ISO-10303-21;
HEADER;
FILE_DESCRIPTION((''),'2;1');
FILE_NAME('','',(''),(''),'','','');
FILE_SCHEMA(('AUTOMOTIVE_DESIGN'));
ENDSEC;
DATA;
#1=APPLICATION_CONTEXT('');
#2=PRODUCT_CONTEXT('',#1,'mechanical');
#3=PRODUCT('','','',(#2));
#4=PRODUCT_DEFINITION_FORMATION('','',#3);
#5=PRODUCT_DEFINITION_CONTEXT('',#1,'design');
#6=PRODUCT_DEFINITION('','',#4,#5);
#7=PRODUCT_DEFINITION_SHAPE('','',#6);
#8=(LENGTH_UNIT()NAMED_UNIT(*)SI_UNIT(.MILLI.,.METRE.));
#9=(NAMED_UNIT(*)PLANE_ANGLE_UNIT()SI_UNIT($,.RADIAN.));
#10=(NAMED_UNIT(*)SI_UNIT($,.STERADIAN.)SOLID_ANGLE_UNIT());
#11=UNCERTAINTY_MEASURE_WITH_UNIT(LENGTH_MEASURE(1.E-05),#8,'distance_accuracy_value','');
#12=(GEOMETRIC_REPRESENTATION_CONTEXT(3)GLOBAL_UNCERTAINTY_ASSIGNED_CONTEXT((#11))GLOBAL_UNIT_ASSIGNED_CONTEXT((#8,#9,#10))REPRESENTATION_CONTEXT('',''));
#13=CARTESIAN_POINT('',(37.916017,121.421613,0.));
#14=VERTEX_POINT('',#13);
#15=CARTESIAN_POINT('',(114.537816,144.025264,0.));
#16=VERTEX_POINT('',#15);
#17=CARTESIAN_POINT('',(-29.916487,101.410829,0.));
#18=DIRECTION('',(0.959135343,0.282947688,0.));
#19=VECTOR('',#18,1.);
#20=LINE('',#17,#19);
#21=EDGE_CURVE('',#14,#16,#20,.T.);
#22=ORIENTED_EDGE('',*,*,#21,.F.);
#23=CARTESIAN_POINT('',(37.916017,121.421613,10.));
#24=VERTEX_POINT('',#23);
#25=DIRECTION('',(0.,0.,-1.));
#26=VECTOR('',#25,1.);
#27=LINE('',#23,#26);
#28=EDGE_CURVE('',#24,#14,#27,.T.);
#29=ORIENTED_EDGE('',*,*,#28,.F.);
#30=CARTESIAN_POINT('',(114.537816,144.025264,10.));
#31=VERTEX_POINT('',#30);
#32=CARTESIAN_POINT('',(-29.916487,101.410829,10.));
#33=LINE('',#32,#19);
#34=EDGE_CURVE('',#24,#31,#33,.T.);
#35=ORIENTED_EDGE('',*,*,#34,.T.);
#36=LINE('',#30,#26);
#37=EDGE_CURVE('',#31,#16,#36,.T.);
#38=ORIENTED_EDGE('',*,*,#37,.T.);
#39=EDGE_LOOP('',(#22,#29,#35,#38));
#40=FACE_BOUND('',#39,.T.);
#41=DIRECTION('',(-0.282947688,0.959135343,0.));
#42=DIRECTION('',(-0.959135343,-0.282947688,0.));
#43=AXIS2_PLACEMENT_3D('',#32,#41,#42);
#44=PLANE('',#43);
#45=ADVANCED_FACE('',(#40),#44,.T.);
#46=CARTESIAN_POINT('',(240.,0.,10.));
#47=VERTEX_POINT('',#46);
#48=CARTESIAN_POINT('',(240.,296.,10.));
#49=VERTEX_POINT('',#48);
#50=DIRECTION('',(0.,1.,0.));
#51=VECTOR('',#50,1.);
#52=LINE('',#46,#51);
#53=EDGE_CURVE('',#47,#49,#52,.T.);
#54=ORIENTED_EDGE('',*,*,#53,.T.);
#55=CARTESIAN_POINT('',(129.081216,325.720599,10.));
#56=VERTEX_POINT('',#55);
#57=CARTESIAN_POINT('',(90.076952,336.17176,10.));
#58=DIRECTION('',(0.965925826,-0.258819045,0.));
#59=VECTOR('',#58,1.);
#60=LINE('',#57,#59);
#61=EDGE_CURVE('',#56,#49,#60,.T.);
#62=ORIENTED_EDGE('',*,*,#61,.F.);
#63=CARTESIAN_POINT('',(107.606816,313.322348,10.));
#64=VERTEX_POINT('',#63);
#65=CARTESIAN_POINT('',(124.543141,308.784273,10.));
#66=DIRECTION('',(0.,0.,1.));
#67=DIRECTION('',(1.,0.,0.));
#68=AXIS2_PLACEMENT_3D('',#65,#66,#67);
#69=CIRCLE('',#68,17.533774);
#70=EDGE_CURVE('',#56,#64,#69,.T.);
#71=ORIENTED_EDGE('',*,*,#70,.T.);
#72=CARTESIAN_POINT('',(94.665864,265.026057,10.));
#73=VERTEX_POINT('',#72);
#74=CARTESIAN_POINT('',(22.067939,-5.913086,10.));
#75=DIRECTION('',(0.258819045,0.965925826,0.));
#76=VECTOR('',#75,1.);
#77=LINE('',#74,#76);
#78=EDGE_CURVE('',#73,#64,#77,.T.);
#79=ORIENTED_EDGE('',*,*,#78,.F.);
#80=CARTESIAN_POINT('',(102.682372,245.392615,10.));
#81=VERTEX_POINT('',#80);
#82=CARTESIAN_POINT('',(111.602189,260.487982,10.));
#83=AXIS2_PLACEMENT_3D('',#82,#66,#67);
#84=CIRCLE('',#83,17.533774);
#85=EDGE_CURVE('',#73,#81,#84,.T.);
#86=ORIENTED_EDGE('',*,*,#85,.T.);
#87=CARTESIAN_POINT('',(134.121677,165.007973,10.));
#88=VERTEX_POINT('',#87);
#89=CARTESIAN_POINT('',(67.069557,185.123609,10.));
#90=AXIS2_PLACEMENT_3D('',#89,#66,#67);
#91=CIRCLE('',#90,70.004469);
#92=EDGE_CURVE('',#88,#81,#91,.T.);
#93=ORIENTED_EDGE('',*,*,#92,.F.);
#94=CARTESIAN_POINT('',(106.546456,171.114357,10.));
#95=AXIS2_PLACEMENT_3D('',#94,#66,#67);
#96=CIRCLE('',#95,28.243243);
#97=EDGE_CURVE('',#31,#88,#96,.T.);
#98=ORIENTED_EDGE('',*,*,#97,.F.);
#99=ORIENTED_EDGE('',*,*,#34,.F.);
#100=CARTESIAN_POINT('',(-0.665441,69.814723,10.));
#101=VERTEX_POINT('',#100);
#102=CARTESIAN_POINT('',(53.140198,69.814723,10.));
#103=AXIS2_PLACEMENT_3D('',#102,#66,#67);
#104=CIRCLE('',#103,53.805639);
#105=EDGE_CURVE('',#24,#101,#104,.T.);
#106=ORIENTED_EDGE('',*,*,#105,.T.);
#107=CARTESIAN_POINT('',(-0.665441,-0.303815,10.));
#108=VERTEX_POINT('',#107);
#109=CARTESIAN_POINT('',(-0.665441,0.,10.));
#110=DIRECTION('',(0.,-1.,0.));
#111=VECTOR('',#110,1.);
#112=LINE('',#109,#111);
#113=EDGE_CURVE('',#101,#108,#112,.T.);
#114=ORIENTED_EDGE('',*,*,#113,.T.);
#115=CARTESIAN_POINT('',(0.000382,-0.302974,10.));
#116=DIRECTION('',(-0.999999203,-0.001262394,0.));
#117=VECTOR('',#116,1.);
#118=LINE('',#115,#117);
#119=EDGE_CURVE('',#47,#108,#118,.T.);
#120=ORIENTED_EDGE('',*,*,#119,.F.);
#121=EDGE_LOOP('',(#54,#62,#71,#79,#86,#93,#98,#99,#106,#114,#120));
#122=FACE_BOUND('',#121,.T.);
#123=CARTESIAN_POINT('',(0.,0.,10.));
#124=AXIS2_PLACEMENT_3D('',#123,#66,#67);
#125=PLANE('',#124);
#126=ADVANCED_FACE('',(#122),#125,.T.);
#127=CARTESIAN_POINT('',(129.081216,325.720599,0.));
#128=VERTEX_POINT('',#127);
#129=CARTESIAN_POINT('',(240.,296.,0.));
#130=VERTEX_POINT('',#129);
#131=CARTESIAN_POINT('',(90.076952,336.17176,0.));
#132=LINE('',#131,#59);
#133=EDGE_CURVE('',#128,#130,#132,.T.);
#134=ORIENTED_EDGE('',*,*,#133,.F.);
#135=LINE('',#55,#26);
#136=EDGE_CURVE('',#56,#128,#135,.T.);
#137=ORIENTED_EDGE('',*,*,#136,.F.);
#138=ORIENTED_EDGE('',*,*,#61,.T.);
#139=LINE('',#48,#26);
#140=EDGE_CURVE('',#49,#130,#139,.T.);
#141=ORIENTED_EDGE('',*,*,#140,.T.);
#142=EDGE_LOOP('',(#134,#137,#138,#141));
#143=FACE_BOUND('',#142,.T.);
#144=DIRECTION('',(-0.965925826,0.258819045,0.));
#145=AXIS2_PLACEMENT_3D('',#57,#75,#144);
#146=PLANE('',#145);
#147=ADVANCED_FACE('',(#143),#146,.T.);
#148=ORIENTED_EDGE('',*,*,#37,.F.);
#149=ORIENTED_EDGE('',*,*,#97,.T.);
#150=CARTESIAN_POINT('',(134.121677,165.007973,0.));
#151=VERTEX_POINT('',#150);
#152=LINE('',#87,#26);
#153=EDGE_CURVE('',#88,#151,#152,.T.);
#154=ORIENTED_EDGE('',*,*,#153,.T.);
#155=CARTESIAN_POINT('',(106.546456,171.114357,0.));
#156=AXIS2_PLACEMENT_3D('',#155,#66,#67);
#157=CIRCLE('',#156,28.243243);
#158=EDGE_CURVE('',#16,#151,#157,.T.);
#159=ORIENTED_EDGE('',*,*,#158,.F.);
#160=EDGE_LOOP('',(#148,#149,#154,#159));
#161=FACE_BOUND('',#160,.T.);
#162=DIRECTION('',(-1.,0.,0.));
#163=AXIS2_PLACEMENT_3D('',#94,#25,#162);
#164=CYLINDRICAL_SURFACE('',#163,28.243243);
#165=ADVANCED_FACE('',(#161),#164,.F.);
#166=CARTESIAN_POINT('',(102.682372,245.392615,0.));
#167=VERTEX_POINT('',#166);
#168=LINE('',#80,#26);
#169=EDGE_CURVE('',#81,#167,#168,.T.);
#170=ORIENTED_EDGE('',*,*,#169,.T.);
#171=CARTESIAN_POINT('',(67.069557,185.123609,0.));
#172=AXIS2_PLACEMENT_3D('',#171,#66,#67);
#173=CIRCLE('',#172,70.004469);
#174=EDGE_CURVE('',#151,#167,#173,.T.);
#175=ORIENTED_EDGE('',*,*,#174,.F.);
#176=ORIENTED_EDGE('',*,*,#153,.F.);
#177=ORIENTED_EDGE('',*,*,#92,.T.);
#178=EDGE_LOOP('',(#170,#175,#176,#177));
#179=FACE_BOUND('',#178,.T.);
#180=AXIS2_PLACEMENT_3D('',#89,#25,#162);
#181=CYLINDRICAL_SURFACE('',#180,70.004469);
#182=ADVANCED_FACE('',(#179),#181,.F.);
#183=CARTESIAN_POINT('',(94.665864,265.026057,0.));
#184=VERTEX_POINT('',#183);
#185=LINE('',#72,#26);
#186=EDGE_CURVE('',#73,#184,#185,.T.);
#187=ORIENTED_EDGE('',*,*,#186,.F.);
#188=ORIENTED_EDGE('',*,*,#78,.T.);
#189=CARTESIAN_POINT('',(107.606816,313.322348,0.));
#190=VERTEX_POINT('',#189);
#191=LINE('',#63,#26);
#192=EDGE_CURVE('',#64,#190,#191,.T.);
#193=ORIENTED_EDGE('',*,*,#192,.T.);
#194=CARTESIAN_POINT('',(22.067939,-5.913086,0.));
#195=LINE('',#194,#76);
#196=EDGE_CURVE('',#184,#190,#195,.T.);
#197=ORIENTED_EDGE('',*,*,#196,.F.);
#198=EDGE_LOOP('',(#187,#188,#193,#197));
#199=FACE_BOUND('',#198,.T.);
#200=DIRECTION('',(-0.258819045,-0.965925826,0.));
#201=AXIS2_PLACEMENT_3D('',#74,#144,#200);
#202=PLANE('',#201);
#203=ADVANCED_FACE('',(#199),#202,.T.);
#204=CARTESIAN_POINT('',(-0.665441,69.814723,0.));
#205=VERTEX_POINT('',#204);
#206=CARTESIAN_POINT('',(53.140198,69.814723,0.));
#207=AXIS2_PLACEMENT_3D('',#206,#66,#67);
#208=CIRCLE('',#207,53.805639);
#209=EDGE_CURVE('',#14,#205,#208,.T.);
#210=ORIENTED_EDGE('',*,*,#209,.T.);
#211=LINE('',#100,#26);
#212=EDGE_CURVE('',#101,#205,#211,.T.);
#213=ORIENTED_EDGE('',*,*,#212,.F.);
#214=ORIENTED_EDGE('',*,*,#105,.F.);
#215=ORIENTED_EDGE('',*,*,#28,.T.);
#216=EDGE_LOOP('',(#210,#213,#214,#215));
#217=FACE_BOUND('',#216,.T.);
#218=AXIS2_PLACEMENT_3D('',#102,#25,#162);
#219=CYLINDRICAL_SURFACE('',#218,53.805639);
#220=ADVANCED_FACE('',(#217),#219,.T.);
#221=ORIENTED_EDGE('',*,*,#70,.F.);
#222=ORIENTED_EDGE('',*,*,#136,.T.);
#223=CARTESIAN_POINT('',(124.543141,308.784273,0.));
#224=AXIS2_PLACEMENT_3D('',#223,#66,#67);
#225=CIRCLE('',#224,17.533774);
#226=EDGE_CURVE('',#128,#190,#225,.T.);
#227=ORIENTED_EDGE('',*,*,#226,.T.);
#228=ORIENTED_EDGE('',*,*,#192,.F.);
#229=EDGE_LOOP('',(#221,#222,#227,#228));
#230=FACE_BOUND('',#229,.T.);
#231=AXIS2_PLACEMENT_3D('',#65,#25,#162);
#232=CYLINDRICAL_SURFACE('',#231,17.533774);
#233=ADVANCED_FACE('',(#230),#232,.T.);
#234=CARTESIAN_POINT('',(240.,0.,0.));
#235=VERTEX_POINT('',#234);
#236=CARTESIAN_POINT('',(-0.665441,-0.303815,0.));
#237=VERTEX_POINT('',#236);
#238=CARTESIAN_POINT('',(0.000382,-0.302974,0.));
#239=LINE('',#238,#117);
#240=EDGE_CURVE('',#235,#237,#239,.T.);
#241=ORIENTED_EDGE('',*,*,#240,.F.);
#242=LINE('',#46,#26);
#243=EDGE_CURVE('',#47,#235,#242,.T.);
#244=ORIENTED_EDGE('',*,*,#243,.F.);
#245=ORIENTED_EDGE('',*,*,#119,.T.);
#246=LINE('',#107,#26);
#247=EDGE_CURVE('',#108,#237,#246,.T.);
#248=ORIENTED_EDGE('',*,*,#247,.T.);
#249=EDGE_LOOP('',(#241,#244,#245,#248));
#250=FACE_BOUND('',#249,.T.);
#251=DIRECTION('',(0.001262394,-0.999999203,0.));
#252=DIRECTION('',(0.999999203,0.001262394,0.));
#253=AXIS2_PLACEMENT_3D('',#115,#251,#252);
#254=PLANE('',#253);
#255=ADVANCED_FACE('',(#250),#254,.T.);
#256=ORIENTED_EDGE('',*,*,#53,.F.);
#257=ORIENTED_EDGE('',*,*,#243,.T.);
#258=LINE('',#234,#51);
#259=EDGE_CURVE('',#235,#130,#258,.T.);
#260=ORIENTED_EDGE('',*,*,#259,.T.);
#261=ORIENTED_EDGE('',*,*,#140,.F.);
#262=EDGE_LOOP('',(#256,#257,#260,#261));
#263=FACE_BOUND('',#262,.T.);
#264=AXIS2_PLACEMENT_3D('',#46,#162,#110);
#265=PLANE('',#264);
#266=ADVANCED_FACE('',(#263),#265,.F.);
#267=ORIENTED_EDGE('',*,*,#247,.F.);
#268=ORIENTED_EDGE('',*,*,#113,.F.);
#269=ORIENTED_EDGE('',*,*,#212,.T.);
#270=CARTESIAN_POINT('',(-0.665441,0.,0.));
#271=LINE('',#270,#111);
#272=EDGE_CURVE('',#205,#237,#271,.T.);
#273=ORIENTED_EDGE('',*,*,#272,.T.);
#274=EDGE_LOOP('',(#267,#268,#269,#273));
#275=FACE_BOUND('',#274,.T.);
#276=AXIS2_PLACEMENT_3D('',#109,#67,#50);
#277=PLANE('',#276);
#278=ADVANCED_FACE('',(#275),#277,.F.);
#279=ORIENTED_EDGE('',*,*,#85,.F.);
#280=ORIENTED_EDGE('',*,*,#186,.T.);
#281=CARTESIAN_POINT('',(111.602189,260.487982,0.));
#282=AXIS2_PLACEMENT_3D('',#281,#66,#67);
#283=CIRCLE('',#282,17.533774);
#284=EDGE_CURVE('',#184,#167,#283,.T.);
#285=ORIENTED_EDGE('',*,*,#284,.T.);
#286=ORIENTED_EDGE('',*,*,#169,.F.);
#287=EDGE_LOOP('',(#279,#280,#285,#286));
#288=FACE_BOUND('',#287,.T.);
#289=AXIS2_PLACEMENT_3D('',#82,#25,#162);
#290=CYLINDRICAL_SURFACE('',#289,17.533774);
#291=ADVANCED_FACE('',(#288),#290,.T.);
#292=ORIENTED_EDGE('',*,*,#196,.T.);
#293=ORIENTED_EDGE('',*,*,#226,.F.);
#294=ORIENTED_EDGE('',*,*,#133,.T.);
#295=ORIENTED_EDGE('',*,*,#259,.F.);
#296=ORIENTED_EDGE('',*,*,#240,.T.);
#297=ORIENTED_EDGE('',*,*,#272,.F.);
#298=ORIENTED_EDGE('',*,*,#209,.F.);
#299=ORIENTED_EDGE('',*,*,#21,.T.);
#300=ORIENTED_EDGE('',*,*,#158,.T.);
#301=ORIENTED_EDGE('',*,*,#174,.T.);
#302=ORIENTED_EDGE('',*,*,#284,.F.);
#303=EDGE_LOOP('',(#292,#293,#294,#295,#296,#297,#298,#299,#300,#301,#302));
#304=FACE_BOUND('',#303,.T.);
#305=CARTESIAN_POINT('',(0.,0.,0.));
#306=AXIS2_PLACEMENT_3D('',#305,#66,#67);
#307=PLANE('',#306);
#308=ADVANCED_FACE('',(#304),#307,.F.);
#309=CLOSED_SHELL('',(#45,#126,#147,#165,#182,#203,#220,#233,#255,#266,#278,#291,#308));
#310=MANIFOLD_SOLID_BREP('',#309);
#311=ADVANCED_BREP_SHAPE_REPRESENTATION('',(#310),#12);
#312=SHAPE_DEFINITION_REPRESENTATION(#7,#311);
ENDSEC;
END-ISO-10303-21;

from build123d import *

# Parameters (mm, degrees)
SALIENTE_EXTRUIR1_DEPTH = 10


with BuildPart() as part:
    # Croquis1 → Saliente-Extruir1 (new body)
    with BuildSketch(Plane.XY):
        with BuildLine():
            Line((37.91601702, 121.421613069), (114.537816123, 144.025264418))
            ThreePointArc((114.537816123, 144.025264418), (127.193827362, 151.843476845), (134.121677329, 165.007973069))
            ThreePointArc((134.121677329, 165.007973069), (132.264993157, 210.622251423), (102.682371845, 245.392614983))
            ThreePointArc((102.682371845, 245.392614983), (95.369412387, 253.859995337), (94.665863515, 265.026056643))
            Line((94.665863515, 265.026056643), (107.60681577, 313.322347957))
            ThreePointArc((107.60681577, 313.322347957), (115.776254029, 323.968967178), (129.081215867, 325.720598634))
            Line((129.081215867, 325.720598634), (240, 296))
            Line((240, 296), (240, 0))
            Line((240, 0), (-0.665441115, -0.303814753))
            Line((-0.665441115, -0.303814753), (-0.665441115, 69.814722685))
            ThreePointArc((-0.665441115, 69.814722685), (10.046152069, 102.031954282), (37.91601702, 121.421613069))
        make_face()
    extrude(amount=SALIENTE_EXTRUIR1_DEPTH)


solid = part.part
